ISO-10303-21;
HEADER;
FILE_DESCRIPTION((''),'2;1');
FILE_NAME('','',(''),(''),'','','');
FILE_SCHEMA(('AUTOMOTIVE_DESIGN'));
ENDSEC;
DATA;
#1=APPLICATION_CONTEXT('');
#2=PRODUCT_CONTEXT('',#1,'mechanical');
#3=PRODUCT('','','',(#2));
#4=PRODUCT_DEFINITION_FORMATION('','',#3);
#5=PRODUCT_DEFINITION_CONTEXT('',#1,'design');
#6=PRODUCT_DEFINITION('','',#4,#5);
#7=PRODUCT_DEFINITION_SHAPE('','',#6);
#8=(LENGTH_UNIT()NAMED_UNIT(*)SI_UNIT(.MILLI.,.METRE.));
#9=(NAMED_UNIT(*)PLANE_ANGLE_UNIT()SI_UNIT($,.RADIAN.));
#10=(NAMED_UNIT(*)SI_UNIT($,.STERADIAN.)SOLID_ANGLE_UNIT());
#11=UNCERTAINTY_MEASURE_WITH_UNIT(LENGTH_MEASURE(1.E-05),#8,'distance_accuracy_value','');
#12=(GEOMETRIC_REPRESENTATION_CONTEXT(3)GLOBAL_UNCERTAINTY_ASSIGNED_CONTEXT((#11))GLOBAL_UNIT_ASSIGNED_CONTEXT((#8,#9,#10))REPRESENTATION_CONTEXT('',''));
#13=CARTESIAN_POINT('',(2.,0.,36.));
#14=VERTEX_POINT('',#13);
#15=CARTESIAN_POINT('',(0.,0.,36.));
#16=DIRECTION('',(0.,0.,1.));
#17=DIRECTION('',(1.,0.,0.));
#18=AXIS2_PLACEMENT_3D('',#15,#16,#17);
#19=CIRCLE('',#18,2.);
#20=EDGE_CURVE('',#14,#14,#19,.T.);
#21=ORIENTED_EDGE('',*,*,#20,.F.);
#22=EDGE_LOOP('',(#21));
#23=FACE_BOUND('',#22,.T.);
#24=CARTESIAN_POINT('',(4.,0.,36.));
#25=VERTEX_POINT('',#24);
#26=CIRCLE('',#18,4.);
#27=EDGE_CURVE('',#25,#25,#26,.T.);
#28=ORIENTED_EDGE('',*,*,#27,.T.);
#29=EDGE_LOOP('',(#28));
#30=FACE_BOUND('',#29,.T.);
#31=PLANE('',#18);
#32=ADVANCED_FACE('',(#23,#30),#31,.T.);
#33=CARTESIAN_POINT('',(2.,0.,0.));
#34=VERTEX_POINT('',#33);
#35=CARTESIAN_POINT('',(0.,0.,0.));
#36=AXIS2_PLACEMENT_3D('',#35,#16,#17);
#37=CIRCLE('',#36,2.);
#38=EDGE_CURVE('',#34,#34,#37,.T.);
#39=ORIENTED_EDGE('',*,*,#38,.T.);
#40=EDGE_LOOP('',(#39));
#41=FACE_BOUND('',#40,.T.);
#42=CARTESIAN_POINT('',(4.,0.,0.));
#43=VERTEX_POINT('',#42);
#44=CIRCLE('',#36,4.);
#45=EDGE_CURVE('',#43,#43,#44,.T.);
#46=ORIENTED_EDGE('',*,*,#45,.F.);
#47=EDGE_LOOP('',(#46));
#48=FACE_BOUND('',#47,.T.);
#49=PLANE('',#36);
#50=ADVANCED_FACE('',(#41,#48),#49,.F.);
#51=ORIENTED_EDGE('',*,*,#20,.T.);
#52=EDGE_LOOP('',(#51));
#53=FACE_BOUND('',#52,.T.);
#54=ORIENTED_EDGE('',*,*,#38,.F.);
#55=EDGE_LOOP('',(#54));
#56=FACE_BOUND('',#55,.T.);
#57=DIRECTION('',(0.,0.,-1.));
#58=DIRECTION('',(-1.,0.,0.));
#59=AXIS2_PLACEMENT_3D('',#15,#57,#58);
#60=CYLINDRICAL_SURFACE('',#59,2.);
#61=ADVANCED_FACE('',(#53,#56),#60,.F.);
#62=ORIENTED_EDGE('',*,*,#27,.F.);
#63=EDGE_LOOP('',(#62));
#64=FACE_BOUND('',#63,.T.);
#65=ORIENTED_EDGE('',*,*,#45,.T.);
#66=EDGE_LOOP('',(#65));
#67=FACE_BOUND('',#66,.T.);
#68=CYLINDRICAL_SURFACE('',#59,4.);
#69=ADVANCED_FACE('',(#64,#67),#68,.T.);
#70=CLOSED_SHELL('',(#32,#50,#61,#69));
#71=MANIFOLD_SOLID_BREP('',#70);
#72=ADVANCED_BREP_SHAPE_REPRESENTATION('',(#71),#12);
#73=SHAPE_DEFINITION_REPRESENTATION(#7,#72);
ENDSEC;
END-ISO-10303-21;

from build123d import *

# Parameters (mm, degrees)
SKETCH_1_R      = 4
SKETCH_1_R_2    = 2
EXTRUDE_1_DEPTH = 36


with BuildPart() as part:
    # ｽｹｯﾁ1 → ﾎﾞｽ - 押し出し1 (new body)
    with BuildSketch(Plane.XY):
        Circle(SKETCH_1_R)
        Circle(SKETCH_1_R_2, mode=Mode.SUBTRACT)
    extrude(amount=EXTRUDE_1_DEPTH)


solid = part.part
